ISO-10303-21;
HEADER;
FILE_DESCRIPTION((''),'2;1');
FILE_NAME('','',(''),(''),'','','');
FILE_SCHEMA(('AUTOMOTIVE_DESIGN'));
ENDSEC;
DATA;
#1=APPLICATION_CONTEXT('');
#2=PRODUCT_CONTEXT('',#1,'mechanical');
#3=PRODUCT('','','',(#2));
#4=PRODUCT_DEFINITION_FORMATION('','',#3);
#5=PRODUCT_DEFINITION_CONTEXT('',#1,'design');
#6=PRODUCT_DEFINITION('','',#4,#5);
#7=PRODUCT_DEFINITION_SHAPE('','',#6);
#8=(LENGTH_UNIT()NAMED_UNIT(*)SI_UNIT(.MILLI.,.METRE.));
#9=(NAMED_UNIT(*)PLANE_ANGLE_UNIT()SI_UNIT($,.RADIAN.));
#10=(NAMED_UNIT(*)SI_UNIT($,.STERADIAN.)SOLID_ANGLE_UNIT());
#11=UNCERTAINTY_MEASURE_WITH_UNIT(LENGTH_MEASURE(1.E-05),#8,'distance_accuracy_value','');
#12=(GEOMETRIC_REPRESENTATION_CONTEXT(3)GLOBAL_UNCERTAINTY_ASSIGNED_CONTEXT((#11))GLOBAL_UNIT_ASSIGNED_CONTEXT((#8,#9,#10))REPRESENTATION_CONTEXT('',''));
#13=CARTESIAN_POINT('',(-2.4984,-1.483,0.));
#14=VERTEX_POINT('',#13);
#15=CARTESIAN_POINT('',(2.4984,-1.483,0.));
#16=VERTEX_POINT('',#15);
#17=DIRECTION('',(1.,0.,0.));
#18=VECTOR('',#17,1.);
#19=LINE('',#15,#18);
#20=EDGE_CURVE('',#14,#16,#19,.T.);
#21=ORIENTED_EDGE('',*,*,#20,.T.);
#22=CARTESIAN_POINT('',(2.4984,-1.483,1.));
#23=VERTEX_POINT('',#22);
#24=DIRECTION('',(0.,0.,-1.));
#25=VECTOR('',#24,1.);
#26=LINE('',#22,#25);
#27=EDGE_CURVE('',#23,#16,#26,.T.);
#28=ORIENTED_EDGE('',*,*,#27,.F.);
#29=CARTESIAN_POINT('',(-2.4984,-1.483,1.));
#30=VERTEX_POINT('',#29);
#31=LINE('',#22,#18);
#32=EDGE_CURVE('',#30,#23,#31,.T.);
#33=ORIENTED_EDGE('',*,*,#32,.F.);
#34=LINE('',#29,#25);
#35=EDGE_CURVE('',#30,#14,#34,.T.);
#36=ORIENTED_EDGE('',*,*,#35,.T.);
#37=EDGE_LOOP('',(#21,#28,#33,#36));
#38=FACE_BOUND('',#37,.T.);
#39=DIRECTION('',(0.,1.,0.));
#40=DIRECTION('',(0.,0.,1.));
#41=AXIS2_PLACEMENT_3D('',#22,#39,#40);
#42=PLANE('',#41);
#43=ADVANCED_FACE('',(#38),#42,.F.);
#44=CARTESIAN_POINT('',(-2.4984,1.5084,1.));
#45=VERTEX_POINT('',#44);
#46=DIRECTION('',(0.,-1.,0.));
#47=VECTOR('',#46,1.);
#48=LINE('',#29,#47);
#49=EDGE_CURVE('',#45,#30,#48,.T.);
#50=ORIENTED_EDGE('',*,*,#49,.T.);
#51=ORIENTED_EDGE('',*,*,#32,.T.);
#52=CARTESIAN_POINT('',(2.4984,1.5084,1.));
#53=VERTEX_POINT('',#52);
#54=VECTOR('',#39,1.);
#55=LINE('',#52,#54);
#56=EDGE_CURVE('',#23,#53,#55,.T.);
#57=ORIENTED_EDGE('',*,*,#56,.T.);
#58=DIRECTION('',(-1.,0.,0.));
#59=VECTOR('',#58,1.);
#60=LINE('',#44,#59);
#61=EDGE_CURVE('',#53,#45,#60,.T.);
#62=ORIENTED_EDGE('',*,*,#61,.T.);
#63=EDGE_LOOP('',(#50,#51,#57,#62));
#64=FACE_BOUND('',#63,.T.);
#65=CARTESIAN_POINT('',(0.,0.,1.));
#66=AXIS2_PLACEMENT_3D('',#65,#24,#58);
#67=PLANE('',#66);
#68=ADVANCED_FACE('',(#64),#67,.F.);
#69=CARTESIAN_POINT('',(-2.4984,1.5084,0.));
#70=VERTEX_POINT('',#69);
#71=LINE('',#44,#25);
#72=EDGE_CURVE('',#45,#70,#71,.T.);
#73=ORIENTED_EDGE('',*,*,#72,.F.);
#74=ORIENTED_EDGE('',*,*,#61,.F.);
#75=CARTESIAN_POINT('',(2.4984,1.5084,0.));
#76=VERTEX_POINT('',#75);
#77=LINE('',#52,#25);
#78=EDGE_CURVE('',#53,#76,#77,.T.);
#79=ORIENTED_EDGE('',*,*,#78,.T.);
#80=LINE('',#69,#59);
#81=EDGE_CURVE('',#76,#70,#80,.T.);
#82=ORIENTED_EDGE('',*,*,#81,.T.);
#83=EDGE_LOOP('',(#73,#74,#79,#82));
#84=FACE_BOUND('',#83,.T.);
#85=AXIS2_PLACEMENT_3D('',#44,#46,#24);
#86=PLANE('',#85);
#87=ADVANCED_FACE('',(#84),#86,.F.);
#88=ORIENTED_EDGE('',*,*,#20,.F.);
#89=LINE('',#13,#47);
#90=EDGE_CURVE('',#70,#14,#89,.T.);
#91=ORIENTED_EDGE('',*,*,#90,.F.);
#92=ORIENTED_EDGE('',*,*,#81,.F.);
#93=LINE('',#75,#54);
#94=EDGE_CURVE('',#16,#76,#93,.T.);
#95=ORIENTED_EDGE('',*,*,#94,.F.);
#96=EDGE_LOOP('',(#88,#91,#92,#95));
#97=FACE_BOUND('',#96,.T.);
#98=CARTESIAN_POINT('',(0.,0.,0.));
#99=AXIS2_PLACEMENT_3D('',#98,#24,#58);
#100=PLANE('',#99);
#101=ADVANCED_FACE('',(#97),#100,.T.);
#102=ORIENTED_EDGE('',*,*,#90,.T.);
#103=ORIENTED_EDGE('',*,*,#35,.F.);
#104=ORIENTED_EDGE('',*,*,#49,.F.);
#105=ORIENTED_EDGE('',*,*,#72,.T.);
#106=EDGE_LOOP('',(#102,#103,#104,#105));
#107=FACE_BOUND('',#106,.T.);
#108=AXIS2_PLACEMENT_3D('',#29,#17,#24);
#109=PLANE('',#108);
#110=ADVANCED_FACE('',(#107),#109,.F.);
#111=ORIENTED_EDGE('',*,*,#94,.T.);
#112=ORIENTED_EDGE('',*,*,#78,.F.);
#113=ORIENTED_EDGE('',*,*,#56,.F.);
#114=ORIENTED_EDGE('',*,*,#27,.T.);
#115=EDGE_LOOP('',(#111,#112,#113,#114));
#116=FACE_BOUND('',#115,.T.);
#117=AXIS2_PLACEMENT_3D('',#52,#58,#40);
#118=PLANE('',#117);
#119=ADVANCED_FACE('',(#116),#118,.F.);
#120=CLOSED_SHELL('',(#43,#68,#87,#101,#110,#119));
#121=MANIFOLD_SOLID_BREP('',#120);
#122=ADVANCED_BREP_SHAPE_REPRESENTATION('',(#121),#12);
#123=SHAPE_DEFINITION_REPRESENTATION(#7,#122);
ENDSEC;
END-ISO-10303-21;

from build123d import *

# Parameters (mm, degrees)
SKIZZE1_W               = 4.9968
SKIZZE1_H               = 2.9914
COMPONENT_OUTLINE_DEPTH = 1


with BuildPart() as part:
    # Skizze1 → Component_Outline (new body)
    with BuildSketch(Plane.XY):
        with Locations((0, 0.0127)):
            Rectangle(SKIZZE1_W, SKIZZE1_H)
    extrude(amount=COMPONENT_OUTLINE_DEPTH)


solid = part.part
